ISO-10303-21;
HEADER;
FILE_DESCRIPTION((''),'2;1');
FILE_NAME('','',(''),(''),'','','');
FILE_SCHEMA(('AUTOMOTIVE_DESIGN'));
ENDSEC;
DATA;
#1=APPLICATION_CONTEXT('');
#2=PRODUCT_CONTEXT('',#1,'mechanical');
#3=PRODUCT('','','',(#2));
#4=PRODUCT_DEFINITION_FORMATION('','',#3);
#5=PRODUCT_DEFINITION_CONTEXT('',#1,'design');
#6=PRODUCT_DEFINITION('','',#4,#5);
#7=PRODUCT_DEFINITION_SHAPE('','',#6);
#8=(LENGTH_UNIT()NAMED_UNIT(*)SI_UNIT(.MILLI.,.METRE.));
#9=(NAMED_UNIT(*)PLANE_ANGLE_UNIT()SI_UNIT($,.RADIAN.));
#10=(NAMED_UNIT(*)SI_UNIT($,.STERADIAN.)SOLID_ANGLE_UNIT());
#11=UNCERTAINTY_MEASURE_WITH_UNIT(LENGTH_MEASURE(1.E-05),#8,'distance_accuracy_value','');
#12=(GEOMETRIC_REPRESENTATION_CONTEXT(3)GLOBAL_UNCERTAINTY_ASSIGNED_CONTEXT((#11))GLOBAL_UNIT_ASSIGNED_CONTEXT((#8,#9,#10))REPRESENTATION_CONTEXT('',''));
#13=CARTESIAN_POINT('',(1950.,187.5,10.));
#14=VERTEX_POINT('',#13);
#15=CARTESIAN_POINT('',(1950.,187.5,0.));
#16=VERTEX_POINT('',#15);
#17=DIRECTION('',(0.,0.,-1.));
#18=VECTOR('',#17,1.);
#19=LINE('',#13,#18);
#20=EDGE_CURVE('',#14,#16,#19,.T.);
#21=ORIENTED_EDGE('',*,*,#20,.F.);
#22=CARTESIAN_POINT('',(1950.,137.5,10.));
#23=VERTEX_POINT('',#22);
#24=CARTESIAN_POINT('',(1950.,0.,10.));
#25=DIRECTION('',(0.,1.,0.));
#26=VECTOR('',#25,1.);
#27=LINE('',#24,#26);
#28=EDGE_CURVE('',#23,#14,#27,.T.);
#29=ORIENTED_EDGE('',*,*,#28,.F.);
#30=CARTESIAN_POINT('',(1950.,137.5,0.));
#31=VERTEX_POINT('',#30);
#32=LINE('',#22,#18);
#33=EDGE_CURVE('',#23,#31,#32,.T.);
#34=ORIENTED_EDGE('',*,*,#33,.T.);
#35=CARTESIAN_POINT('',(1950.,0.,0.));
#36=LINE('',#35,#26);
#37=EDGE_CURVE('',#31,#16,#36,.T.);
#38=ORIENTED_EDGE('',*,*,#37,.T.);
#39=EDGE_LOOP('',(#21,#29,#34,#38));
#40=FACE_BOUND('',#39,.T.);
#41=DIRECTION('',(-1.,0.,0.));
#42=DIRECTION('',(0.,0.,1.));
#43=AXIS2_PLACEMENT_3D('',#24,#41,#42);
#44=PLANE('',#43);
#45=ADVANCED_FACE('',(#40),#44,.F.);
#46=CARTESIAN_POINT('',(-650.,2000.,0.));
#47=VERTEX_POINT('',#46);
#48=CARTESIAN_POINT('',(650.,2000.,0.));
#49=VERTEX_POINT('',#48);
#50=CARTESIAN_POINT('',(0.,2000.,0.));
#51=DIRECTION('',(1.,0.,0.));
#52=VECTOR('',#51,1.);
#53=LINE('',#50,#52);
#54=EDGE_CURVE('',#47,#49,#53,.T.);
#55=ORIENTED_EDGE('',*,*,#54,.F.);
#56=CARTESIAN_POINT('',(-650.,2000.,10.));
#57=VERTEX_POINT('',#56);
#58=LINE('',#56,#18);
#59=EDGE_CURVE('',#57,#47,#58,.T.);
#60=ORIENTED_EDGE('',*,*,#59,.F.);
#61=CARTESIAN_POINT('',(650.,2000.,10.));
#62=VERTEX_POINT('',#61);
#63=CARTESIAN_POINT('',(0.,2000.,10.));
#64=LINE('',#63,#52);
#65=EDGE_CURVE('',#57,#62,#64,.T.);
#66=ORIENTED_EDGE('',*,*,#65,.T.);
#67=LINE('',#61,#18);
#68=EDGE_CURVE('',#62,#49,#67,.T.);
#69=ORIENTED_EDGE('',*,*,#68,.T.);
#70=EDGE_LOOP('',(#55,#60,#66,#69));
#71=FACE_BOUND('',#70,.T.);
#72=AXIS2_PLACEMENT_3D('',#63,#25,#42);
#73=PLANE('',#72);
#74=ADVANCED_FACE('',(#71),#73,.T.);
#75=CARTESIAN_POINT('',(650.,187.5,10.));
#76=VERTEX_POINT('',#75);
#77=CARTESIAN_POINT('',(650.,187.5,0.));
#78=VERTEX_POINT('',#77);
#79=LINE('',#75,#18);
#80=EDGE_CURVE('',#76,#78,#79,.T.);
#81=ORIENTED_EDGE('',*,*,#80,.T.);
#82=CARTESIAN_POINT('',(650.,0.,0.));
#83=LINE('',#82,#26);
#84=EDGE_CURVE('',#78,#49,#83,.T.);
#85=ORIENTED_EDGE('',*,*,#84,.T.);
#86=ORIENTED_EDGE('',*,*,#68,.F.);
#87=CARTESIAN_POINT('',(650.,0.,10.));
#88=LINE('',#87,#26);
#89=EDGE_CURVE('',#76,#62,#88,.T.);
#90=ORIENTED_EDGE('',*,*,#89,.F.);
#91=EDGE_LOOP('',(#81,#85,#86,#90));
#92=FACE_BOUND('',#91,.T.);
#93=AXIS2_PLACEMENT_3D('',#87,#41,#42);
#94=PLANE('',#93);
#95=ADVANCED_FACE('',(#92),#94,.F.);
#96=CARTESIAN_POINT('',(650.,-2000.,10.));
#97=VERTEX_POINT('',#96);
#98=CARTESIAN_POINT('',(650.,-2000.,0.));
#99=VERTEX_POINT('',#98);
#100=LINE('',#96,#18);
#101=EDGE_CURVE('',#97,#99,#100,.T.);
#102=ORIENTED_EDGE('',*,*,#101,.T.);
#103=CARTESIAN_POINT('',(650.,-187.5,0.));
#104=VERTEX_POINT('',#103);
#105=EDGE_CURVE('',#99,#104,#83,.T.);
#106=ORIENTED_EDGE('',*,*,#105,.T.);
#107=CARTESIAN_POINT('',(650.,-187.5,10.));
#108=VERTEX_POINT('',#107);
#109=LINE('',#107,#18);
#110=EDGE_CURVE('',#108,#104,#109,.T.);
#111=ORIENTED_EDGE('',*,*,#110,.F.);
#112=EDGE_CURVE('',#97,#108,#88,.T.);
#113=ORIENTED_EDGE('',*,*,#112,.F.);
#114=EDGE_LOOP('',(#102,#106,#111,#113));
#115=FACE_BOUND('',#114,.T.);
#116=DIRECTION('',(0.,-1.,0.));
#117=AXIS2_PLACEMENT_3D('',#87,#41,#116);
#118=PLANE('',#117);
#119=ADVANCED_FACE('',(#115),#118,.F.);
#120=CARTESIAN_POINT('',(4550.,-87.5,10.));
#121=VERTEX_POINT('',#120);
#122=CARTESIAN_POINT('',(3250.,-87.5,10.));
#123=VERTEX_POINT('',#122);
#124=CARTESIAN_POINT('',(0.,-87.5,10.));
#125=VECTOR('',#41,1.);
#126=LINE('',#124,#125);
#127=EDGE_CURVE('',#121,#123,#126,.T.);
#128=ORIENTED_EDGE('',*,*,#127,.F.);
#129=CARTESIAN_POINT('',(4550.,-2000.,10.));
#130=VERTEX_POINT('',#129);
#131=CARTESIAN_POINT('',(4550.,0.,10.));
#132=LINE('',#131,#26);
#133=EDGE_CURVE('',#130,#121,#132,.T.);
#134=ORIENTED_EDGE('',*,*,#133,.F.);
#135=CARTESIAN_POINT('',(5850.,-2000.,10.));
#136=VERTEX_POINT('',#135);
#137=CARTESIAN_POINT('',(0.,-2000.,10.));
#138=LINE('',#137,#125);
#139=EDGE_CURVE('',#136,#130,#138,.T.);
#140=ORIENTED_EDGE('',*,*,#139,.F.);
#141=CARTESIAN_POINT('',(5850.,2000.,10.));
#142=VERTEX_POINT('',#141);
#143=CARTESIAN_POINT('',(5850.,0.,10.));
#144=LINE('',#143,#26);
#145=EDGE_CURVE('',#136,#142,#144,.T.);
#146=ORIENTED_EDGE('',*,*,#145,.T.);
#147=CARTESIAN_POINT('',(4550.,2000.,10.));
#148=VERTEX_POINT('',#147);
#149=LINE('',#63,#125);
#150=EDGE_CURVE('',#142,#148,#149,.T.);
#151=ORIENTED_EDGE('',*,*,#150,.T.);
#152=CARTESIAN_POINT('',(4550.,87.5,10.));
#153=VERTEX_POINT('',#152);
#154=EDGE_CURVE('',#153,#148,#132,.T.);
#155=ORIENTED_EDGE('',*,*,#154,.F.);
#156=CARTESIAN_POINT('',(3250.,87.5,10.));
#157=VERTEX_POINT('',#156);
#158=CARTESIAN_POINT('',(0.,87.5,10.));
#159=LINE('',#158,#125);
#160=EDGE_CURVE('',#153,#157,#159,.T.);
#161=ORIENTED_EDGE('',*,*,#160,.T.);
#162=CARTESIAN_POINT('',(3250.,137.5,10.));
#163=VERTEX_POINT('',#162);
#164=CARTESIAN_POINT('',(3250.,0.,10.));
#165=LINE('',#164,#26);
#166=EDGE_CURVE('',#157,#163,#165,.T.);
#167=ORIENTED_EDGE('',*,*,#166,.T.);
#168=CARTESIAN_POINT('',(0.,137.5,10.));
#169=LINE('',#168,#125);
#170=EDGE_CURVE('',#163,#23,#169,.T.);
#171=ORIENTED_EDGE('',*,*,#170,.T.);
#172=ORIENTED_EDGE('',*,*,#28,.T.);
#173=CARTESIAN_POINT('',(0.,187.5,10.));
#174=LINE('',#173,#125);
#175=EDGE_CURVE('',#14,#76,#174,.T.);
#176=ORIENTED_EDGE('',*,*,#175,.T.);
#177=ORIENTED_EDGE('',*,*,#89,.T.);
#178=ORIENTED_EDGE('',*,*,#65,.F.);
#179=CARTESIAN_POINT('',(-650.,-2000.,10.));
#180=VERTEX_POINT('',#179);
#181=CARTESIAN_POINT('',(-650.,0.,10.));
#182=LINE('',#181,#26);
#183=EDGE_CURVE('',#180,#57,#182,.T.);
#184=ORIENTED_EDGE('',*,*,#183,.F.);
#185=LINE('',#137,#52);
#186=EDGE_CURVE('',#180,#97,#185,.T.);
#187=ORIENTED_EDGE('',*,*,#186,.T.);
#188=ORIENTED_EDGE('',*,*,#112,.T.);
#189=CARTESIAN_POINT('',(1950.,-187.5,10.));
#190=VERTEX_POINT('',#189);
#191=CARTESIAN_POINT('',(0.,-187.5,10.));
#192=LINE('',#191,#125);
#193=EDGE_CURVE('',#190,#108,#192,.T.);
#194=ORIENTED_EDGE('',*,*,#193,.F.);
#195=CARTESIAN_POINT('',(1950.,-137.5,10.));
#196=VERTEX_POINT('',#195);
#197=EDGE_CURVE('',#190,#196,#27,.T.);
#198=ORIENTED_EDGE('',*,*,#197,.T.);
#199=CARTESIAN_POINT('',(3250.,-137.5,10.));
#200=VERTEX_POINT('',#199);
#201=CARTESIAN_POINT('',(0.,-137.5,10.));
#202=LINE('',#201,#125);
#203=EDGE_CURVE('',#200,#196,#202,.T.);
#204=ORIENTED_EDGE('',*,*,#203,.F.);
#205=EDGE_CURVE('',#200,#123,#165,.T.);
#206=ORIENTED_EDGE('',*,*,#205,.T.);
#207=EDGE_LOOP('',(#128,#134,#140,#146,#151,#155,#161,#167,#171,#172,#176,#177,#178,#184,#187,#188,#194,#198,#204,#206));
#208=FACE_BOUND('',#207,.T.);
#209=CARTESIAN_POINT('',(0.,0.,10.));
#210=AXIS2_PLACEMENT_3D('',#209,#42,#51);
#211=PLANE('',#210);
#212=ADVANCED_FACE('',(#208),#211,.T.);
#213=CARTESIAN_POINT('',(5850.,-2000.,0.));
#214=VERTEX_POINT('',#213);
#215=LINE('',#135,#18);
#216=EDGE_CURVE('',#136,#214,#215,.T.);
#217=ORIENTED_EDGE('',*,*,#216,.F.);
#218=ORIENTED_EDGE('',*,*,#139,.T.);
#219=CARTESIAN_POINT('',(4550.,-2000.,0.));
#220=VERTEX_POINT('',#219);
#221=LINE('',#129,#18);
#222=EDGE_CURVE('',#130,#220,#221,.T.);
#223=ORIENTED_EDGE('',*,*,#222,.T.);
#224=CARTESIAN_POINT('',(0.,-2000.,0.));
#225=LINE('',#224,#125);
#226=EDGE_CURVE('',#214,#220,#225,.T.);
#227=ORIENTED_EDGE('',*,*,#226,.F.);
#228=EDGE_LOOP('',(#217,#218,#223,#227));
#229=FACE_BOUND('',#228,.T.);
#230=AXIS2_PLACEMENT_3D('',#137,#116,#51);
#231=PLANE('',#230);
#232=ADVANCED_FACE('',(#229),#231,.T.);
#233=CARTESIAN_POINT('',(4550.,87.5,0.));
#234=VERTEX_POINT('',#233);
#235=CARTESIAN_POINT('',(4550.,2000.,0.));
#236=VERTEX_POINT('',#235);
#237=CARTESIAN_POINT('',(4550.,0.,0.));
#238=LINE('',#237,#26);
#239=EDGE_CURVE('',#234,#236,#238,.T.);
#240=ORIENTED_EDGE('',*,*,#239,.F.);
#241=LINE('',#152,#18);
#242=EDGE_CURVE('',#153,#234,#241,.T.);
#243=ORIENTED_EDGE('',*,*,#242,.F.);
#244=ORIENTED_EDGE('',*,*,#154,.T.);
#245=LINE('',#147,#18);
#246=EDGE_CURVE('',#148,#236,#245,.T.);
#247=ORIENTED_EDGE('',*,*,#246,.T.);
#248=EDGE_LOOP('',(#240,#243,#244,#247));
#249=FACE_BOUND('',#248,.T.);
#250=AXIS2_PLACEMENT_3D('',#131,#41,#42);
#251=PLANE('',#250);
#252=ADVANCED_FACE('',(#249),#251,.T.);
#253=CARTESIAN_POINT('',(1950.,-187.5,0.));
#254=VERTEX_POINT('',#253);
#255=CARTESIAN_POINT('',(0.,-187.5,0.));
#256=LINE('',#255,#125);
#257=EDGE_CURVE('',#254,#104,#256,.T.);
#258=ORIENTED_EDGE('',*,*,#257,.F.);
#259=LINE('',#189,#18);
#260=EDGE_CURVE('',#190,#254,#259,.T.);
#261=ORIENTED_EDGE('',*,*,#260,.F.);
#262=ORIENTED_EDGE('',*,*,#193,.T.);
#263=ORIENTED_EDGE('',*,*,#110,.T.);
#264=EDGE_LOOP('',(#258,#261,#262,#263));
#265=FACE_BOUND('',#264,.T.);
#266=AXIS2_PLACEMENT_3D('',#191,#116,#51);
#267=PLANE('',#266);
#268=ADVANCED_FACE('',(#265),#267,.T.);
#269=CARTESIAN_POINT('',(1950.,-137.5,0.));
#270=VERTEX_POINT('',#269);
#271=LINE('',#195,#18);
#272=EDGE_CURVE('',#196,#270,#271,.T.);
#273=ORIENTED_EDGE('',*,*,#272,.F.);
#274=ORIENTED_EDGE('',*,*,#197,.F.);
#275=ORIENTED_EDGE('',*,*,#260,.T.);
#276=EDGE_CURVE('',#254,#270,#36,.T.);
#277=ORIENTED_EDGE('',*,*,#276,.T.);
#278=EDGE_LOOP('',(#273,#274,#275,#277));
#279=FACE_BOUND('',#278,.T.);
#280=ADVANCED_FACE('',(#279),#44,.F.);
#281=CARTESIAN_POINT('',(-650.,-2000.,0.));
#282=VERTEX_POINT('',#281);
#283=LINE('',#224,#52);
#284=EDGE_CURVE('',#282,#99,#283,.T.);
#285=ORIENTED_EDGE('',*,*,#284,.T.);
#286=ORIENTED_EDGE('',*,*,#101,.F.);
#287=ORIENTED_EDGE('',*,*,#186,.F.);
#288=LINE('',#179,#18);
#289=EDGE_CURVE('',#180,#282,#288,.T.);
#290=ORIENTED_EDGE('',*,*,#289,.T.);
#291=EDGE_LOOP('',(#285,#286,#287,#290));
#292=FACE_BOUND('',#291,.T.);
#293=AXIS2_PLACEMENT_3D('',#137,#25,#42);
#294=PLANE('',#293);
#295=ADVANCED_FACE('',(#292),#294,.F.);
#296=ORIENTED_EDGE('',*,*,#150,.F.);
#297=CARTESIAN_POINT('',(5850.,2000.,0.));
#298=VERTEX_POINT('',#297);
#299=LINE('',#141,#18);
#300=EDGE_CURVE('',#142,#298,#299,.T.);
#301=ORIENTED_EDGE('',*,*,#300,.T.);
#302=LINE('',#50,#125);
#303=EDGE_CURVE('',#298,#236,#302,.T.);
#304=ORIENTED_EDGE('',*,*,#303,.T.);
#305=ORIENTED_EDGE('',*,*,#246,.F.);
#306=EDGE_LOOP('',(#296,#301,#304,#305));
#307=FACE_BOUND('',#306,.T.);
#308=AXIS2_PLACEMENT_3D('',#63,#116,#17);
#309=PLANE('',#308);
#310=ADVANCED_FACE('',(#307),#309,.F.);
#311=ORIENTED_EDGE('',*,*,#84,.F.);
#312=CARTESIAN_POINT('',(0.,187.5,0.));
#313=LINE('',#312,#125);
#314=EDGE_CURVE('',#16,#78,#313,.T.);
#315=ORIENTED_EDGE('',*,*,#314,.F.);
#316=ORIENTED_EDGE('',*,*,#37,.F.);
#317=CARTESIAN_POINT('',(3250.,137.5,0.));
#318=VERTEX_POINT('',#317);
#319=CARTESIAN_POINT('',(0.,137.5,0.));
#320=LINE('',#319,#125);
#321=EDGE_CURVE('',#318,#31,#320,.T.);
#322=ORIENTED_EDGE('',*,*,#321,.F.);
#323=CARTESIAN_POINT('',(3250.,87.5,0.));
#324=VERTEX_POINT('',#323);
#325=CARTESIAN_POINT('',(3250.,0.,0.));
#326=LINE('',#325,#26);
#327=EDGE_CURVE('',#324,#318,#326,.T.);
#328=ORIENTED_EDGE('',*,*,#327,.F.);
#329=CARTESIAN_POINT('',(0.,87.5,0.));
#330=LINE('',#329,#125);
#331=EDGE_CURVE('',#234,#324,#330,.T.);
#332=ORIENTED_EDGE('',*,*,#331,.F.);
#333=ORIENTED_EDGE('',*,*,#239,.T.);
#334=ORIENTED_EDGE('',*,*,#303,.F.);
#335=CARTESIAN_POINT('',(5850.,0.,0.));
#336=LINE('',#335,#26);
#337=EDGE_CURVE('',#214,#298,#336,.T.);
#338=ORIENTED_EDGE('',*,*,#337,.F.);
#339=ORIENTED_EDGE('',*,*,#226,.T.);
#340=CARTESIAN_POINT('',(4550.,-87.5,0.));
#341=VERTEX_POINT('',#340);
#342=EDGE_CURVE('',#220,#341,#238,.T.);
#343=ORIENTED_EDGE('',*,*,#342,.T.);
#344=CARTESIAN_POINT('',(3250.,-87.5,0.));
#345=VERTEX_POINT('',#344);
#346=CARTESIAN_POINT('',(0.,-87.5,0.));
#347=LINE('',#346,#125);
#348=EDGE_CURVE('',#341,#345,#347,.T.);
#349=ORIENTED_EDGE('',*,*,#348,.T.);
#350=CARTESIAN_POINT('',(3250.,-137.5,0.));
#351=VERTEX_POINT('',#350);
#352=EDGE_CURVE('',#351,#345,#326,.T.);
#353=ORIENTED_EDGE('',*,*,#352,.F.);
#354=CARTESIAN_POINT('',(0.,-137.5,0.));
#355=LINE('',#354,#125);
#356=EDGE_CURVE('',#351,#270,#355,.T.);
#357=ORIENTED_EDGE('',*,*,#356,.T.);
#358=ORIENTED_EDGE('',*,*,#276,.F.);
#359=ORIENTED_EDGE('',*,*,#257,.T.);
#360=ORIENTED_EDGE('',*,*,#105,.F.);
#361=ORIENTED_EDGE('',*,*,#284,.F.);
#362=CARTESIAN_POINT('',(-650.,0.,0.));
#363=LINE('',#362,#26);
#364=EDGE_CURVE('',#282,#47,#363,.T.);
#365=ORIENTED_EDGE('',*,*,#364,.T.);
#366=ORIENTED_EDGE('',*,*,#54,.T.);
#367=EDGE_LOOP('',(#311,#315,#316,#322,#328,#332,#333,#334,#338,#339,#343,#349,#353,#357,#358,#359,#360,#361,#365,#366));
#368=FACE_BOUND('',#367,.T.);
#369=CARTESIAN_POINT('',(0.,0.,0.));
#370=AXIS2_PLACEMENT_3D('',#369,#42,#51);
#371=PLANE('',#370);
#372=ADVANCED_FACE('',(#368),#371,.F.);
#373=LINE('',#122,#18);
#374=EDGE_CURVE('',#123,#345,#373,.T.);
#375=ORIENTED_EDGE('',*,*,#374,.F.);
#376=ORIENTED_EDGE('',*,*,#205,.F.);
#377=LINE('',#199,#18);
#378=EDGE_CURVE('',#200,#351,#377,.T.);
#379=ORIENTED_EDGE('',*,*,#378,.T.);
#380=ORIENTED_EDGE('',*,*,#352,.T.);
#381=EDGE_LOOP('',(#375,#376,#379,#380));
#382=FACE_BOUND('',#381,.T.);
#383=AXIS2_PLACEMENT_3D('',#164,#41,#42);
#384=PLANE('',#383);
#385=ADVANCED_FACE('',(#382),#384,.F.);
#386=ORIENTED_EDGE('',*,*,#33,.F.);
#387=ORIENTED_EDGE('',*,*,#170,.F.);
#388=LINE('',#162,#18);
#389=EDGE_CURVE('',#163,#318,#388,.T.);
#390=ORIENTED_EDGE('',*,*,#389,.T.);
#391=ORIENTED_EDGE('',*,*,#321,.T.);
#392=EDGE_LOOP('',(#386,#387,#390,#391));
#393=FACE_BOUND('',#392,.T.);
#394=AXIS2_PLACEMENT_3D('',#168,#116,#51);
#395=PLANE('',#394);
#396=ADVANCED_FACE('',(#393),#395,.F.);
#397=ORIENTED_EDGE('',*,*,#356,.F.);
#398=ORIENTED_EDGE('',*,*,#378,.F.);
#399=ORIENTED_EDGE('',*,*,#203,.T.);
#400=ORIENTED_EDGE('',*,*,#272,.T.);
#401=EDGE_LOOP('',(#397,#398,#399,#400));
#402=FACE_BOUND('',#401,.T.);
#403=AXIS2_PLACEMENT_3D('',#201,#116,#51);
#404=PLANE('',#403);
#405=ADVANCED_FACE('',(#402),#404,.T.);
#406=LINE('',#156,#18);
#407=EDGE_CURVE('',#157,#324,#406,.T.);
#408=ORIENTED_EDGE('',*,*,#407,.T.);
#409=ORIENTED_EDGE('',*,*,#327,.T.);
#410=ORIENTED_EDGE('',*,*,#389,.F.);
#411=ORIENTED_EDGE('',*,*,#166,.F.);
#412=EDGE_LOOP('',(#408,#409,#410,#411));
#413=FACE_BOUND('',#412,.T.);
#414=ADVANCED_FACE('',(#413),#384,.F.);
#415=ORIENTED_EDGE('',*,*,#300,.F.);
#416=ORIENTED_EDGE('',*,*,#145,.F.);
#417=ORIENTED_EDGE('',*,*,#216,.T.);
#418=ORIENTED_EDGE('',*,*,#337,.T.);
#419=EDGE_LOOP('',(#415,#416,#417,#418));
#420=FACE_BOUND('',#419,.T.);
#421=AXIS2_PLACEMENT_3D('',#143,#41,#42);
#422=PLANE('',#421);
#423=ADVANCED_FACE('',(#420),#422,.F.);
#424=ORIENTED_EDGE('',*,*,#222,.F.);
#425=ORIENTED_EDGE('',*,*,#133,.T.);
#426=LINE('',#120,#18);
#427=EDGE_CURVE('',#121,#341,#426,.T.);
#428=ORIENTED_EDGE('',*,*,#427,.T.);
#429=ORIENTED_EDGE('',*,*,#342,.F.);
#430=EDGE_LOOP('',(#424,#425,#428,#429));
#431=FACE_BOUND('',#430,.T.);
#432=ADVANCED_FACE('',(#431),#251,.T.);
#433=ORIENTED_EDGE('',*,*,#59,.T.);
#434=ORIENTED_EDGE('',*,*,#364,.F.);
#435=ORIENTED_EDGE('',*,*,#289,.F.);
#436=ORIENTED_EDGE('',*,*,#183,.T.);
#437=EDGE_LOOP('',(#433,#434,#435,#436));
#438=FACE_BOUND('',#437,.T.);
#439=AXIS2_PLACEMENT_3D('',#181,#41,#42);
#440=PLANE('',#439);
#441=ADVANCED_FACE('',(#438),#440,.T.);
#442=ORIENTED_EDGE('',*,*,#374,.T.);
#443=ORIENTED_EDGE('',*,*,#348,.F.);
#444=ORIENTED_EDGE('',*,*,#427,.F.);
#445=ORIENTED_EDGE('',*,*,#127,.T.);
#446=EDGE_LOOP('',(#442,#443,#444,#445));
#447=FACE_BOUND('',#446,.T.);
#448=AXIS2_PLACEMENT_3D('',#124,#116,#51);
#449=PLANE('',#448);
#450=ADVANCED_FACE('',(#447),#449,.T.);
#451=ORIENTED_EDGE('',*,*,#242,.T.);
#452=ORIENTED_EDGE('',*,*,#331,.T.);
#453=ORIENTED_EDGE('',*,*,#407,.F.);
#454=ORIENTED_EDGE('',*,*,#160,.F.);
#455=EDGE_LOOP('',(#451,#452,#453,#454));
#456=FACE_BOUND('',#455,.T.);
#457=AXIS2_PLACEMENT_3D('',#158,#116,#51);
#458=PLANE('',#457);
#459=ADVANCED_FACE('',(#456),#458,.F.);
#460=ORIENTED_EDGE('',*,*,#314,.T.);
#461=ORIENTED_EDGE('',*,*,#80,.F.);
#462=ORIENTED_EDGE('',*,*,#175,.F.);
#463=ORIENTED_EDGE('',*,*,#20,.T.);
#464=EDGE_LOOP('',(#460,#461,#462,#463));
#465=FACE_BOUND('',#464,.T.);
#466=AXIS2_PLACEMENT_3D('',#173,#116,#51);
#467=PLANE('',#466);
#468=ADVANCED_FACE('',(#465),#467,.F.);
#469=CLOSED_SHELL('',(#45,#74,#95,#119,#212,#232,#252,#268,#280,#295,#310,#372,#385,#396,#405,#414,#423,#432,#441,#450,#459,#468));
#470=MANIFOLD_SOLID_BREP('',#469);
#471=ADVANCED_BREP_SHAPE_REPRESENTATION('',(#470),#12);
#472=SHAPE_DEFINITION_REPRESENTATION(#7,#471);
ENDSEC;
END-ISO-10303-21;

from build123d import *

# Parameters (mm, degrees)
BOSS_EXTRUDE1_DEPTH = 10


with BuildPart() as part:
    # Sketch1 → Boss-Extrude1 (new body)
    with BuildSketch(Plane.XY):
        Polygon((-650, -2000), (650, -2000), (650, -187.5), (1950, -187.5), (1950, -137.5), (3250, -137.5), (3250, -87.5), (4550, -87.5), (4550, -2000), (5850, -2000), (5850, 2000), (4550, 2000), (4550, 87.5), (3250, 87.5), (3250, 137.5), (1950, 137.5), (1950, 187.5), (650, 187.5), (650, 2000), (-650, 2000), align=None)
    extrude(amount=BOSS_EXTRUDE1_DEPTH)


solid = part.part
